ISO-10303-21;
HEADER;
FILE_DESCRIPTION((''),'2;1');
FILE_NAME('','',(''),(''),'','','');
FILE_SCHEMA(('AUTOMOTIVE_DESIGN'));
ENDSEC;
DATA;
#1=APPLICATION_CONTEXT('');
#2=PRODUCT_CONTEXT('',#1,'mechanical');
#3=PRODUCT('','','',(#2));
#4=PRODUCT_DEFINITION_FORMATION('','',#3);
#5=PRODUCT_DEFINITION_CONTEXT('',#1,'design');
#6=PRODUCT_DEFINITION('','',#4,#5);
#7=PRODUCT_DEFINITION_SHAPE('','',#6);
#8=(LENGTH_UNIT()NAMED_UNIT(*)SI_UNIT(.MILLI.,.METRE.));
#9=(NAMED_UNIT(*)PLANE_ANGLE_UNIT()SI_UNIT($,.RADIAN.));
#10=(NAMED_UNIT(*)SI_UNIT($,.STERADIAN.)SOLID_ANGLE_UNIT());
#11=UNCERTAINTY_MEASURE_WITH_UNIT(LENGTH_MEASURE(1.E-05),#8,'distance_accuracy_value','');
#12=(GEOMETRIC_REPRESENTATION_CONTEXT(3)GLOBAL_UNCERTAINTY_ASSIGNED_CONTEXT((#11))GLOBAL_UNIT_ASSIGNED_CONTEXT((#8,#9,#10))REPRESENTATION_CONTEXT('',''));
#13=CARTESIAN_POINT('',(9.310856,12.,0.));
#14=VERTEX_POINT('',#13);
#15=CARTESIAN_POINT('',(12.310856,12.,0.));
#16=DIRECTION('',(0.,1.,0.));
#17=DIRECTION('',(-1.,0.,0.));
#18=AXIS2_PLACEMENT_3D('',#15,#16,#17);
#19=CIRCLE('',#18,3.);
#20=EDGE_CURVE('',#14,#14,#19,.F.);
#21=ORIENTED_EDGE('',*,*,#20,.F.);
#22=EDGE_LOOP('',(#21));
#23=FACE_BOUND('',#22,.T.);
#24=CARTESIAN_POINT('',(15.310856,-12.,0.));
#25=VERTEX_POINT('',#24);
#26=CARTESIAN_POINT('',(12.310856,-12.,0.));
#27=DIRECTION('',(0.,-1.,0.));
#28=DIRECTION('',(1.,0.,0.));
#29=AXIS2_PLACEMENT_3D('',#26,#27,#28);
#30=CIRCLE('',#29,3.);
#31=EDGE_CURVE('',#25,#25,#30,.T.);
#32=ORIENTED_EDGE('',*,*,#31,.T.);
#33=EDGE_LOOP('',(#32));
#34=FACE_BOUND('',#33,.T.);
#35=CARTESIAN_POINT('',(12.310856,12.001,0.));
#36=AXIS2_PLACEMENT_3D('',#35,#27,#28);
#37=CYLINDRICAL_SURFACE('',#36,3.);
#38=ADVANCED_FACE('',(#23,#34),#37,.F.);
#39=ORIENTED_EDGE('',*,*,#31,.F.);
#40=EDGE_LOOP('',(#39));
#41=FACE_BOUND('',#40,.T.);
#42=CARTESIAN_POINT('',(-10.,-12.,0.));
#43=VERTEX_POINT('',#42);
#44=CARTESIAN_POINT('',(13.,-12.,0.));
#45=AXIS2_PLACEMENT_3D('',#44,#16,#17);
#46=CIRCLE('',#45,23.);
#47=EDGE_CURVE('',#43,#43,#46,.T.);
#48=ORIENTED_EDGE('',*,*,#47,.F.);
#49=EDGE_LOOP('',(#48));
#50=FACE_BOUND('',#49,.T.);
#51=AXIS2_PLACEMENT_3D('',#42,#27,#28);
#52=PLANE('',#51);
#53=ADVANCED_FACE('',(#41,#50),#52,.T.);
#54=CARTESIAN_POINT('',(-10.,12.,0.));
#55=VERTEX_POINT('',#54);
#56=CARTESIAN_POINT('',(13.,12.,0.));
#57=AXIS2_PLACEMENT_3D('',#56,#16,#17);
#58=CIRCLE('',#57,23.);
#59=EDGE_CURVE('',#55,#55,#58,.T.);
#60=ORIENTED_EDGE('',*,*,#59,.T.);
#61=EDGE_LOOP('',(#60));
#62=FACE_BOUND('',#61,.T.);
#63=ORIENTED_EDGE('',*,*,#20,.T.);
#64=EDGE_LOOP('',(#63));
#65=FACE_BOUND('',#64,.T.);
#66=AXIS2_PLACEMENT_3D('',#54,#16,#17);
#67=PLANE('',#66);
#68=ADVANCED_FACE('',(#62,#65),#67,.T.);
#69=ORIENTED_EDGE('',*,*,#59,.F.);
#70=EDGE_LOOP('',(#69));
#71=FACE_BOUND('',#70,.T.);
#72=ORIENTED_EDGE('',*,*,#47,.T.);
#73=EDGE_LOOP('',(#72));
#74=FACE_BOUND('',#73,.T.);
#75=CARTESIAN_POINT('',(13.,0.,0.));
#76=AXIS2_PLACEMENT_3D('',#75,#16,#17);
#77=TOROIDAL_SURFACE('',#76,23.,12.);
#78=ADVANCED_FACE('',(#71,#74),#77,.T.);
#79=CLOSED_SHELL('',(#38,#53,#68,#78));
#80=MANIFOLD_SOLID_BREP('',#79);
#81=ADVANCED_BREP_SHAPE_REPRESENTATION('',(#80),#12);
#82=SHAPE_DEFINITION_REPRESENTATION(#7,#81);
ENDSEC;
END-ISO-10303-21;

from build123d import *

# Parameters (mm, degrees)
CUT_EXTRUDE_1_REACH = 26
SKETCH_2_R          = 3


with BuildPart() as part:
    # 草图1 → 旋转1 (revolve)
    with BuildSketch(Plane.XY):
        with BuildLine():
            Line((-10, 12), (13, 12))
            Line((13, 12), (13, -12))
            Line((13, -12), (-10, -12))
            ThreePointArc((-10, -12), (-22, 0), (-10, 12))
        make_face()
    revolve(axis=Axis((13, 12, 0), (0, -1, 0)))

    # 草图2 → 切除-拉伸1 (cut, up to next)
    with BuildSketch(Plane.XZ.offset(12), mode=Mode.PRIVATE) as cut_extrude_1_sk1:
        with Locations((12.310855645, 0)):
            Circle(SKETCH_2_R)
    cut_extrude_1_tool1 = extrude(cut_extrude_1_sk1.sketch, amount=-CUT_EXTRUDE_1_REACH, mode=Mode.PRIVATE) & part.part
    add(cut_extrude_1_tool1.solids().sort_by_distance((12.310856, -12, 0))[0], mode=Mode.SUBTRACT)


solid = part.part
